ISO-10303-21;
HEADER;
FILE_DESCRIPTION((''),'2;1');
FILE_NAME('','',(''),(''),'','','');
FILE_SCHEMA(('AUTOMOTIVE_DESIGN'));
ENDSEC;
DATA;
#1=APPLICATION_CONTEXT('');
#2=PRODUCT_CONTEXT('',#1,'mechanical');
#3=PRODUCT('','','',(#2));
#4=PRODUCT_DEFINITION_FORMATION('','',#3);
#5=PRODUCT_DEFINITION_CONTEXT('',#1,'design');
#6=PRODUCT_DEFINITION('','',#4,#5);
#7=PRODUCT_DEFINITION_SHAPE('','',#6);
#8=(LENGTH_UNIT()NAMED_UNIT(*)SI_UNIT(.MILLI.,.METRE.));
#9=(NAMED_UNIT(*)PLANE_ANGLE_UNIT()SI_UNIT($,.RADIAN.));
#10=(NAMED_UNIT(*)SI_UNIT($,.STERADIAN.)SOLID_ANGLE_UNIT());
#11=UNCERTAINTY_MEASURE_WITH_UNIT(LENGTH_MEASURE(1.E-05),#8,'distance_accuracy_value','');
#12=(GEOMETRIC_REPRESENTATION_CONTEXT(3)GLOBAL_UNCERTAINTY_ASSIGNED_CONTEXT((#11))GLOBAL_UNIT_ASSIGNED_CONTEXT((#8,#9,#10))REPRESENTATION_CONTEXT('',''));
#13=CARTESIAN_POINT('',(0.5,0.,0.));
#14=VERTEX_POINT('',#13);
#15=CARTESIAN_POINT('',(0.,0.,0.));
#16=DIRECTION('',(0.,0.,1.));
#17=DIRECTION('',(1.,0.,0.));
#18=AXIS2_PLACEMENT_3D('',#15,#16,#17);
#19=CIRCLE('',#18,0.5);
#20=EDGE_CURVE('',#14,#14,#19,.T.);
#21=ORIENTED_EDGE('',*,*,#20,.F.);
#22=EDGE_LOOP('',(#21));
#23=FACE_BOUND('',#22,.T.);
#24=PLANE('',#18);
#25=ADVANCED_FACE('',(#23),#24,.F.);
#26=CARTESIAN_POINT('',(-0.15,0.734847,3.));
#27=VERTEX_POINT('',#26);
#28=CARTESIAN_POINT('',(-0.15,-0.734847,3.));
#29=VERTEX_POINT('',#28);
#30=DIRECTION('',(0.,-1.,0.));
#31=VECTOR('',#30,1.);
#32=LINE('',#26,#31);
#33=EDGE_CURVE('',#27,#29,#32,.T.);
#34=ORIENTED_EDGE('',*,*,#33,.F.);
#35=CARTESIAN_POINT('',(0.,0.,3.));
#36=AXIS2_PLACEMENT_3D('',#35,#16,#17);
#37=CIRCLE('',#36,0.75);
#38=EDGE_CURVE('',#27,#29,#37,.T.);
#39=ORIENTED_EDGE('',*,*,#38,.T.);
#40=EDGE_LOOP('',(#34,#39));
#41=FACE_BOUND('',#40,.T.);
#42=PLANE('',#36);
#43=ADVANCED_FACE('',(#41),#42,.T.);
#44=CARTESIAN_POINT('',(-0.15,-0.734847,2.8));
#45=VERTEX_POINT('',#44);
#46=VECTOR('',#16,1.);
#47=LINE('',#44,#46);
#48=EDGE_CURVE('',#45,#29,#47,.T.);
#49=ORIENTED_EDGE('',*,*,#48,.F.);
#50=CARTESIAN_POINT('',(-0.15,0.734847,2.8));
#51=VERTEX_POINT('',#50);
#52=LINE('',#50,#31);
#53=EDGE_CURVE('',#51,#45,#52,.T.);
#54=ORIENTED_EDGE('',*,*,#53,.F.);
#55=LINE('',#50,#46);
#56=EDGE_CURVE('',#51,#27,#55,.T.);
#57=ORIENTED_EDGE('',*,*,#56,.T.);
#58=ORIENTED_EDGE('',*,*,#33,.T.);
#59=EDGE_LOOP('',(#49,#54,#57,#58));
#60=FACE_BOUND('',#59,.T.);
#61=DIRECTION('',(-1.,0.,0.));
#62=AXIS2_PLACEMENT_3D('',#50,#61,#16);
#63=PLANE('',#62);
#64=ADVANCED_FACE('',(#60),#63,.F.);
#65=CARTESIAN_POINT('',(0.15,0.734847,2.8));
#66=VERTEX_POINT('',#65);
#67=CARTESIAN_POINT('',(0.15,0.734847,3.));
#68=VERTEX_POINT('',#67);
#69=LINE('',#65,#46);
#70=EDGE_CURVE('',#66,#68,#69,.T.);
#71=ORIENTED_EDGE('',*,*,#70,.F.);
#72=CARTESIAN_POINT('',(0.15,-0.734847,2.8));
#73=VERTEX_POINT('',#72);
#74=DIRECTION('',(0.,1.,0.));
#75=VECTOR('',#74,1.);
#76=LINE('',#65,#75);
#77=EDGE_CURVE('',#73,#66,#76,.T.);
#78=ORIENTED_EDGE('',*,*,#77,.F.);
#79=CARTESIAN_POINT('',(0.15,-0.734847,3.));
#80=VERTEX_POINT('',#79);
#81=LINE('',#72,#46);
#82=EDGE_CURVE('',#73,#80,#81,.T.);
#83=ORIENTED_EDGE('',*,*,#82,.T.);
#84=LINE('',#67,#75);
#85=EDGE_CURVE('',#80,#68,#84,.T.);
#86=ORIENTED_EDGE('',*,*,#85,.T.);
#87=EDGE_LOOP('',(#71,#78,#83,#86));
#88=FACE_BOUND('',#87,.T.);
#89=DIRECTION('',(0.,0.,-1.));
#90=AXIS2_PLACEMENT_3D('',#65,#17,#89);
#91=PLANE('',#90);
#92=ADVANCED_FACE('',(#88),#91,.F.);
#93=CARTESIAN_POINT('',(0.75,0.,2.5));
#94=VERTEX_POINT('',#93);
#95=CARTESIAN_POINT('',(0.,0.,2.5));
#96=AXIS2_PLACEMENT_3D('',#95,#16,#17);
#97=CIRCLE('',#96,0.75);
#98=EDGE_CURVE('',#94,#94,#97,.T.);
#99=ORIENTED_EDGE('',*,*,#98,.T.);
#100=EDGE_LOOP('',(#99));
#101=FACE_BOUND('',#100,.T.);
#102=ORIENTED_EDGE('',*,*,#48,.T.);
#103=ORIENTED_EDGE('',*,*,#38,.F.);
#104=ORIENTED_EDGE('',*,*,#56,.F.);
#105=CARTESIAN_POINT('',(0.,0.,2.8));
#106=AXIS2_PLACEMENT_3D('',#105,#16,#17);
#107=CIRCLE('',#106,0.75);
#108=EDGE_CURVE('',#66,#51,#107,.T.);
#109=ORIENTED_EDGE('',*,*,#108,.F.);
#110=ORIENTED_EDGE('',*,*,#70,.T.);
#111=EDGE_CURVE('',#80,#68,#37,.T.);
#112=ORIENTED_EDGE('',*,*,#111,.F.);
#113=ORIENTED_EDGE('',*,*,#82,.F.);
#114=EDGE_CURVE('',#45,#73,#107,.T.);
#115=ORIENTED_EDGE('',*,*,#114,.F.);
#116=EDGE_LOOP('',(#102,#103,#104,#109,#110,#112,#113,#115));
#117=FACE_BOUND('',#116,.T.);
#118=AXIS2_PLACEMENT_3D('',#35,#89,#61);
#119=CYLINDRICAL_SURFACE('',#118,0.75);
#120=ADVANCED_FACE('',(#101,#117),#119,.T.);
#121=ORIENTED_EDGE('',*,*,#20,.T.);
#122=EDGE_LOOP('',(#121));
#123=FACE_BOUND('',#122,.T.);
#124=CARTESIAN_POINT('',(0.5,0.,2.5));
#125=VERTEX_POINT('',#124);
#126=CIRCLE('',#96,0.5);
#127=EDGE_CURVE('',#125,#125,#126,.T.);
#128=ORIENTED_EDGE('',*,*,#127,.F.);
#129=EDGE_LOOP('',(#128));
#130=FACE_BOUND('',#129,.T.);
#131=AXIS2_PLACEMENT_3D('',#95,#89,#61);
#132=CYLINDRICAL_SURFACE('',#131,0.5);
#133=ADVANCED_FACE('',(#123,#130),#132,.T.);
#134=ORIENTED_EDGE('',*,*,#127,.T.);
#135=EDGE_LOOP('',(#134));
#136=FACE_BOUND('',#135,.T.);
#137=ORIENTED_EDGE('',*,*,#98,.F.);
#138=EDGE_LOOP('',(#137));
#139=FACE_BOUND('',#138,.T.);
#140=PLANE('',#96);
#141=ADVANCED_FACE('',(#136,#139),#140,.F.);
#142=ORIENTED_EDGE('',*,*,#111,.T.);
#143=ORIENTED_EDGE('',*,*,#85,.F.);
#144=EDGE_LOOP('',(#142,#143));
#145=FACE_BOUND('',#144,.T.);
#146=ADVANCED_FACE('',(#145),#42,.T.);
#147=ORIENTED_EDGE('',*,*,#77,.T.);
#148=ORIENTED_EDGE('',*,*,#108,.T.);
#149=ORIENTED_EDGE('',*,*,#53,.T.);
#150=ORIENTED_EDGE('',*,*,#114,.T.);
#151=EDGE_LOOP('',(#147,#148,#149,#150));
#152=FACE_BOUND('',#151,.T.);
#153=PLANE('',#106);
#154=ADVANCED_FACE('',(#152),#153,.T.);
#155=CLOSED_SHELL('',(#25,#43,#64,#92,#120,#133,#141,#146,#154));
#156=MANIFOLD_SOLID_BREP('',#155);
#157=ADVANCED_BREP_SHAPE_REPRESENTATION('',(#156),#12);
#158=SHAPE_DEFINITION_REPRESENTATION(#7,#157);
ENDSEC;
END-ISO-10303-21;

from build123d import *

# Parameters (mm, degrees)
SKETCH1_R           = 0.5
BOSS_EXTRUDE1_DEPTH = 2.5
SKETCH2_R           = 0.75
BOSS_EXTRUDE2_DEPTH = 0.5
CUT_EXTRUDE1_START  = -0.2
CUT_EXTRUDE1_DEPTH  = 0.2


with BuildPart() as part:
    # Sketch1 → Boss-Extrude1 (new body)
    with BuildSketch(Plane.XY):
        Circle(SKETCH1_R)
    extrude(amount=BOSS_EXTRUDE1_DEPTH)

    # Sketch2 → Boss-Extrude2 (add)
    with BuildSketch(Plane.XY.offset(2.5)):
        Circle(SKETCH2_R)
    extrude(amount=BOSS_EXTRUDE2_DEPTH)

    # Sketch3 → Cut-Extrude1 (cut)
    with BuildSketch(Plane.XY.offset(3).offset(CUT_EXTRUDE1_START)):
        with BuildLine():
            Line((0.15, 0.734846923), (0.15, -0.734846923))
            ThreePointArc((0.15, -0.734846923), (0, -0.75), (-0.15, -0.734846923))
            Line((-0.15, -0.734846923), (-0.15, 0.734846923))
            ThreePointArc((-0.15, 0.734846923), (0, 0.75), (0.15, 0.734846923))
        make_face()
    extrude(amount=CUT_EXTRUDE1_DEPTH, mode=Mode.SUBTRACT)


solid = part.part
